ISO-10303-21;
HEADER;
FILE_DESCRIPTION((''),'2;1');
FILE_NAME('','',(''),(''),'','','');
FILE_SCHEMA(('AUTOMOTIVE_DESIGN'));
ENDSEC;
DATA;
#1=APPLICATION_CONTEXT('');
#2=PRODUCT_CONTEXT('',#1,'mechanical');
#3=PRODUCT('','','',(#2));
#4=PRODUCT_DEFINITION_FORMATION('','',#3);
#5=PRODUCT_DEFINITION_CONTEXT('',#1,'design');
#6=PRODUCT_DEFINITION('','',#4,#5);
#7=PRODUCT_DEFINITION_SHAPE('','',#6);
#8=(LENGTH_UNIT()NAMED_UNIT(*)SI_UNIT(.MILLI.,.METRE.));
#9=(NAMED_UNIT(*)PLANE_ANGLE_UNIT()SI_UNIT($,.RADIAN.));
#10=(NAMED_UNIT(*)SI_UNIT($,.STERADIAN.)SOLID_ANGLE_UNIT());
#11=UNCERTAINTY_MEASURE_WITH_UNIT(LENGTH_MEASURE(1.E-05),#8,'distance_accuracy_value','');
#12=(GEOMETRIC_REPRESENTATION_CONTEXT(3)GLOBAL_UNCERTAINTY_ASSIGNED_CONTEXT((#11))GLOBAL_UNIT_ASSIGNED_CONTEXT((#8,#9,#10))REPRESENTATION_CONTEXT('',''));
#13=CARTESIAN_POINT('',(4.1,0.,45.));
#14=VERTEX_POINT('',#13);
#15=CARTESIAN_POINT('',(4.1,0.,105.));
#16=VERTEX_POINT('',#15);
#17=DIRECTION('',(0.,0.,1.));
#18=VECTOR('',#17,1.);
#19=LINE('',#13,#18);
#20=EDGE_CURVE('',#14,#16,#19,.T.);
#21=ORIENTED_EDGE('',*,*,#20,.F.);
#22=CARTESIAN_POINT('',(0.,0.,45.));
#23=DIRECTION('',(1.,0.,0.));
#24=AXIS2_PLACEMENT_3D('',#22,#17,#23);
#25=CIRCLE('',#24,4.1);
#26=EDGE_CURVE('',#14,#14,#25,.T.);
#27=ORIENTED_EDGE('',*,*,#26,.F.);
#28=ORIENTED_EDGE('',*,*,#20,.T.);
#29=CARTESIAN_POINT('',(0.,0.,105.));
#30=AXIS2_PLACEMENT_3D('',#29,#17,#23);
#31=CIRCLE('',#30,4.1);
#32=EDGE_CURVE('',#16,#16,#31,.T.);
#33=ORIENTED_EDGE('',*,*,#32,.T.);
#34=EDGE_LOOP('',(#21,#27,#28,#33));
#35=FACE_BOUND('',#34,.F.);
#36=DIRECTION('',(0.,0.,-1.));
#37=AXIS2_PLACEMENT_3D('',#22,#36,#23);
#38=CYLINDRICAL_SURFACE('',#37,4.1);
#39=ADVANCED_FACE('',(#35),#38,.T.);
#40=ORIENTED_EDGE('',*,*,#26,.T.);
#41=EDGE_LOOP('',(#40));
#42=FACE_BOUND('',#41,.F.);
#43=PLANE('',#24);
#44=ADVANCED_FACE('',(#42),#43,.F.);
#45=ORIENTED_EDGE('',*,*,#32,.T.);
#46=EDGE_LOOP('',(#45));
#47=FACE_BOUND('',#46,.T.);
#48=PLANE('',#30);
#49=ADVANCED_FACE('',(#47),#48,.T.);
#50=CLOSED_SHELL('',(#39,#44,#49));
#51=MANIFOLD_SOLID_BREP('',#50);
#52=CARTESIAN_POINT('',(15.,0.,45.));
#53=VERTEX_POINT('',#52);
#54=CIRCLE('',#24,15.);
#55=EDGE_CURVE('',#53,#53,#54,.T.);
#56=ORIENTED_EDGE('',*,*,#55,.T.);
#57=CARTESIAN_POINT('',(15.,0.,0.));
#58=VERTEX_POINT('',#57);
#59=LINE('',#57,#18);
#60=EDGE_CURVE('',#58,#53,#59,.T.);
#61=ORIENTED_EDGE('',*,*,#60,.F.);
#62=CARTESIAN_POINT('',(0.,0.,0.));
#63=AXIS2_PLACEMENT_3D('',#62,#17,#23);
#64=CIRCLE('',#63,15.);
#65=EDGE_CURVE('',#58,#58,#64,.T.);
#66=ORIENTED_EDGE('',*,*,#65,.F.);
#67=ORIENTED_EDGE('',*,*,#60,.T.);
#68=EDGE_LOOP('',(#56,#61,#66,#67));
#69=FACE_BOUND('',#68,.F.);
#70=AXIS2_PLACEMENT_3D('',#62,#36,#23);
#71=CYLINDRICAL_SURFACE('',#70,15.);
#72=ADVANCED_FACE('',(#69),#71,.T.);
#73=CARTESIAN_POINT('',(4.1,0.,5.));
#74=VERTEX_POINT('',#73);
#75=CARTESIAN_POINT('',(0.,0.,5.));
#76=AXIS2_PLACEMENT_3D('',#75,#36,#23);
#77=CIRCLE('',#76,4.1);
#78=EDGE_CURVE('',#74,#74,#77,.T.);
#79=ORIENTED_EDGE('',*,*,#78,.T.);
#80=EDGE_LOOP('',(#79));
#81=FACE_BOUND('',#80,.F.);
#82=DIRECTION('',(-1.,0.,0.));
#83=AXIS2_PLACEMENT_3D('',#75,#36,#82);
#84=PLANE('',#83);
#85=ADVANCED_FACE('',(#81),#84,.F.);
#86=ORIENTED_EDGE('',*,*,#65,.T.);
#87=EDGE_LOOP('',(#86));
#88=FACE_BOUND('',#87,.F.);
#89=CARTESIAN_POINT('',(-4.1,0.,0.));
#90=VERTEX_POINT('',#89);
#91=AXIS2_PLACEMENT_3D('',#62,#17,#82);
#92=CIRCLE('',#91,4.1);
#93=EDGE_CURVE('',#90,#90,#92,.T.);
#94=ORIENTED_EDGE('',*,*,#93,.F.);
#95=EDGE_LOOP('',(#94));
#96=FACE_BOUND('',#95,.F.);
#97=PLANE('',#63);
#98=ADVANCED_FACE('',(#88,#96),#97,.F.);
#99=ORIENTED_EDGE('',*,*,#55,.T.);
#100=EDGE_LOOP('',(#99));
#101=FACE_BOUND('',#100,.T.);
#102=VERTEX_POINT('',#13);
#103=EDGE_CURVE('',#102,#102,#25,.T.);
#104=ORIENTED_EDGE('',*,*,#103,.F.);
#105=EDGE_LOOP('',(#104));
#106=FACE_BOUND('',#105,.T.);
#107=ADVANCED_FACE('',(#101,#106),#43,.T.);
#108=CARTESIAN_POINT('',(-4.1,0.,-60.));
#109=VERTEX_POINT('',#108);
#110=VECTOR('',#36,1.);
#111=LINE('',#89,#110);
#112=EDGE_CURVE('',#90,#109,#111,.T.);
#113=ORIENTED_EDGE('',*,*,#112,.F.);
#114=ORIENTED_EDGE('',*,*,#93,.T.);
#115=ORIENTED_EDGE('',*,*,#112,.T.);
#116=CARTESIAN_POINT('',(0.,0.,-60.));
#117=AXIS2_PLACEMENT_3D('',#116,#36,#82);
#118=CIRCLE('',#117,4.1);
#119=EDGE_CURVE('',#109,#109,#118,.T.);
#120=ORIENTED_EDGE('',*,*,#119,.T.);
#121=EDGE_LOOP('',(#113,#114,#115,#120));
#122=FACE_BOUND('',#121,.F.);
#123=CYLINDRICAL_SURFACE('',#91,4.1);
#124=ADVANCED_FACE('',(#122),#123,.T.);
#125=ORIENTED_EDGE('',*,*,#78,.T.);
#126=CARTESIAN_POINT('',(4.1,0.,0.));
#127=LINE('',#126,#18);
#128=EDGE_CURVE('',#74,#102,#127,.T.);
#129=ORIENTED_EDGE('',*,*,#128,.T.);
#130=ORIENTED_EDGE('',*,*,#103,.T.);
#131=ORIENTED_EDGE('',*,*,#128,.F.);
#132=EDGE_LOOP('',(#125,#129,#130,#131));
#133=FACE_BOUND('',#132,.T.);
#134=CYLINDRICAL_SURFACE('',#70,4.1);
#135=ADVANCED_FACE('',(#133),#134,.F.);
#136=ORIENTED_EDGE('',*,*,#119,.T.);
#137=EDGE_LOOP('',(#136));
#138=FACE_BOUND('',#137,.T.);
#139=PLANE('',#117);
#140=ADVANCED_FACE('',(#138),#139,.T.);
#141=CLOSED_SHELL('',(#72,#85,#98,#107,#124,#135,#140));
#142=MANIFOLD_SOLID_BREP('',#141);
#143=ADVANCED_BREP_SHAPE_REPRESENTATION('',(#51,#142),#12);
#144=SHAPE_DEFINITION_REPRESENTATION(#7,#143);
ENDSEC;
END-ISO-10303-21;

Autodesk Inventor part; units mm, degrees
ref_plane "YZ Plane" through (0, 0, 0) normal (1, 0, 0) x (0, 1, 0)
ref_plane "XZ Plane" through (0, 0, 0) normal (0, 1, 0) x (-1, 0, 0)
ref_plane "XY Plane" through (0, 0, 0) normal (0, 0, 1) x (1, 0, 0)
sketch "Sketch1" plane through (0, 0, 0) normal (0, 0, 1) x (1, 0, 0)
  circle A0 centre (0, 0) radius 15
  circle A1 centre (0, 0) radius 4.1
  dimension "d0" = 30
  dimension "d2" = 8.2
extrude "Extrusion1" add sketch "Sketch1" along normal blind 45
sketch "Sketch2" plane through (0, 0, 0) normal (0, 0, 1) x (1, 0, 0)
  point P0 (0, 0)
sketch "Sketch3" plane through (0, 0, 0) normal (0, 0, 1) x (1, 0, 0)
  point P0 (0, 0)
sketch "Sketch4" plane through (0, 0, 45) normal (0, 0, 1) x (1, 0, 0)
  circle A0 centre (0, 0) radius 4.1 projected
  circle A1 centre (0, 0) radius 4.1
sketch "Sketch5" plane through (0, 0, 0) normal (0, 0, -1) x (-1, 0, 0)
  circle A0 centre (0, 0) radius 4.1
extrude "Extrusion2" add sketch "Sketch5" along normal blind 60 and the other way blind 5
extrude "Extrusion3" add sketch "Sketch4" along normal blind 60
properties part number "Roller_3DPrint"
